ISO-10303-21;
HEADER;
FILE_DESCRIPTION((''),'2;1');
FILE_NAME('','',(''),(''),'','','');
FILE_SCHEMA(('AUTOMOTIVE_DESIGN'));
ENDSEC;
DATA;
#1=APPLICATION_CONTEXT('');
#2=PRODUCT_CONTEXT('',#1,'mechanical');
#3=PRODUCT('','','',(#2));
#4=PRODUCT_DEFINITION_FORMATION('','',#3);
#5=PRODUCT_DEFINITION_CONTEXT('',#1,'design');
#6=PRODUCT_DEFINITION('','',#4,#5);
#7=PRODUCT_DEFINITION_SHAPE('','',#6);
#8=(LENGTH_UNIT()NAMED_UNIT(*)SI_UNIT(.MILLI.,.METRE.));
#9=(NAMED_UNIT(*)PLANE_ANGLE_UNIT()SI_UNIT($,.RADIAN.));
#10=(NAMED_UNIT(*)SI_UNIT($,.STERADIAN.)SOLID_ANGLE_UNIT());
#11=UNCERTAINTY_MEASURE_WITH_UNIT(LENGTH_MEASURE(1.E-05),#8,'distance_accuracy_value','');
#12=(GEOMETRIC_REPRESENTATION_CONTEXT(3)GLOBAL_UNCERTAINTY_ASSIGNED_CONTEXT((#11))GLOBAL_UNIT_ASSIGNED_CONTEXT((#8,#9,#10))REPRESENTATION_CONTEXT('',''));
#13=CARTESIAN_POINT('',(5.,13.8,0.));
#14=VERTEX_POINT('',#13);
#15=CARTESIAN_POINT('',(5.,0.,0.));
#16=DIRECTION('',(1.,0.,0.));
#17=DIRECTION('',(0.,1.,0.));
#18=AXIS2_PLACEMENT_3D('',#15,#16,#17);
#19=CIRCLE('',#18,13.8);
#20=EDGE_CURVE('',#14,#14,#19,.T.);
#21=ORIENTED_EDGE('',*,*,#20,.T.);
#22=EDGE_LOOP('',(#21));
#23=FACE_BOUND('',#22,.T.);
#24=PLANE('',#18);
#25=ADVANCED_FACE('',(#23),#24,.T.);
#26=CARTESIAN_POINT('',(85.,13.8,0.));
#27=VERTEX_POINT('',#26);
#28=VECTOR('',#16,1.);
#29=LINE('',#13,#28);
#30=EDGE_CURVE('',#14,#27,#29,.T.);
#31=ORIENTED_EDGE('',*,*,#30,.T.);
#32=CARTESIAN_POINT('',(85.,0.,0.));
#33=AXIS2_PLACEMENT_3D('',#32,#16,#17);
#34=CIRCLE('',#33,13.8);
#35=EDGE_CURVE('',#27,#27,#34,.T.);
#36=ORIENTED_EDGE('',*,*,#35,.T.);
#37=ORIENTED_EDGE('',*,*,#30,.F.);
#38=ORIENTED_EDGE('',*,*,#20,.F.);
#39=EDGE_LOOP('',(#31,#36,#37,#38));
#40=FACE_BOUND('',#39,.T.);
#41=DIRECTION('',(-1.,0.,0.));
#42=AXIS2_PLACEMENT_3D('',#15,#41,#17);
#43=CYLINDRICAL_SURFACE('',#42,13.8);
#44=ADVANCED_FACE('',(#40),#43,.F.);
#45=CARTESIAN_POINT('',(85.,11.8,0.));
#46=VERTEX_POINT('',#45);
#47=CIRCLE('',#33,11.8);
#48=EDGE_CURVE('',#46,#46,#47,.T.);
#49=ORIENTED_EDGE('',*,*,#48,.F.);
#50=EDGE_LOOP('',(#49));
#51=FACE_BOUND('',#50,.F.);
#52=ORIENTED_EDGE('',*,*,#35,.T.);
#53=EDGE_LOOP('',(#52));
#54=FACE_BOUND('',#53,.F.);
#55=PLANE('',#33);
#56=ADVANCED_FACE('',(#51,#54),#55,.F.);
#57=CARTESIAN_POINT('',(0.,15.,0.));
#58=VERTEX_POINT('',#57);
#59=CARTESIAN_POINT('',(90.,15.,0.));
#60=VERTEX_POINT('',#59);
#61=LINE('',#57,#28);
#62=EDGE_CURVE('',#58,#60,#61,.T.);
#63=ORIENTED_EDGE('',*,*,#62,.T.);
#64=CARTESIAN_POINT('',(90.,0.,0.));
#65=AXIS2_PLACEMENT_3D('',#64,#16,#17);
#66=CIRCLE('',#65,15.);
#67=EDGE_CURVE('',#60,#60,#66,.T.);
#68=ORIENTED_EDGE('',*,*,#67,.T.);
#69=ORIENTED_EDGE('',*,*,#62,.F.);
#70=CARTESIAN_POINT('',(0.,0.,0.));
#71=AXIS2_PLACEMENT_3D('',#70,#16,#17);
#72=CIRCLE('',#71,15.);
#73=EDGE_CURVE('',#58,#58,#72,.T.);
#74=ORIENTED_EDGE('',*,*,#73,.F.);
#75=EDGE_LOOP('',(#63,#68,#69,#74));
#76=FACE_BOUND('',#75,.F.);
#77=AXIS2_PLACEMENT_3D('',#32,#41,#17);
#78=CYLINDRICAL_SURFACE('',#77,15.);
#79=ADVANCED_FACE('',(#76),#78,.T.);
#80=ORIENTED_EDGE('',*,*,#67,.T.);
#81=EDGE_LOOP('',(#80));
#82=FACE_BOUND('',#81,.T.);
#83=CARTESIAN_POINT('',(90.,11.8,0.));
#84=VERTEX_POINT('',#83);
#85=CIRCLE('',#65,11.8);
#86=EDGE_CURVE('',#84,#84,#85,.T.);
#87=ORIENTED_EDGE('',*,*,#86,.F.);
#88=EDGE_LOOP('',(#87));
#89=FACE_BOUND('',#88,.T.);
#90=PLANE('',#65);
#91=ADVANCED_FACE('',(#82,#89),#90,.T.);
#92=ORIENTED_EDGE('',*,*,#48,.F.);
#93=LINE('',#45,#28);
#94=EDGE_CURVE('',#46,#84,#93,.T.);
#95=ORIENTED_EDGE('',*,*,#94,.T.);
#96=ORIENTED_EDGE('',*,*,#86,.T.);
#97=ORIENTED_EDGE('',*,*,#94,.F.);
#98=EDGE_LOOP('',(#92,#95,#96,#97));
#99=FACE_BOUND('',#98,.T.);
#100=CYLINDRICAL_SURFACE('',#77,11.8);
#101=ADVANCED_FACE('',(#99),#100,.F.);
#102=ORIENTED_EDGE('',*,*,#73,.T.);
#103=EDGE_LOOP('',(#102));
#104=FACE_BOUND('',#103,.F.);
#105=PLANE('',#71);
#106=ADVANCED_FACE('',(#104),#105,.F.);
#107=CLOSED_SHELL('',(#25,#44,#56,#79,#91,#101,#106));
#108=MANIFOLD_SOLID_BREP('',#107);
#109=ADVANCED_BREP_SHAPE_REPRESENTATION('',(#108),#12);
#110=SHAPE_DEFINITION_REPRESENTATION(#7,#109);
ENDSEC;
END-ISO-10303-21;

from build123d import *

# Parameters (mm, degrees)
F0_R     = 15
F0_R_2   = 13.8
F1_DEPTH = 5
F2_R     = 15
F2_R_2   = 13.8
F3_DEPTH = 80
F4_R     = 15
F4_R_2   = 13.8
F4_R_3   = 11.8
F5_DEPTH = 5


with BuildPart() as f1:
    # F0 (on Right) → F1 (new body)
    with BuildSketch(Plane.YZ):
        Circle(F0_R)
        Circle(F0_R_2, mode=Mode.SUBTRACT)
        Circle(F0_R_2)
    extrude(amount=F1_DEPTH)

    # F2 (on face) → F3 (join)
    with BuildSketch(Plane.YZ.offset(5)):
        Circle(F2_R)
        Circle(F2_R_2, mode=Mode.SUBTRACT)
    extrude(amount=F3_DEPTH)

    # F4 (on face) → F5 (join)
    with BuildSketch(Plane.YZ.offset(85)):
        Circle(F4_R)
        Circle(F4_R_2, mode=Mode.SUBTRACT)
        Circle(F4_R_2)
        Circle(F4_R_3, mode=Mode.SUBTRACT)
    extrude(amount=F5_DEPTH)


solid = f1.part
